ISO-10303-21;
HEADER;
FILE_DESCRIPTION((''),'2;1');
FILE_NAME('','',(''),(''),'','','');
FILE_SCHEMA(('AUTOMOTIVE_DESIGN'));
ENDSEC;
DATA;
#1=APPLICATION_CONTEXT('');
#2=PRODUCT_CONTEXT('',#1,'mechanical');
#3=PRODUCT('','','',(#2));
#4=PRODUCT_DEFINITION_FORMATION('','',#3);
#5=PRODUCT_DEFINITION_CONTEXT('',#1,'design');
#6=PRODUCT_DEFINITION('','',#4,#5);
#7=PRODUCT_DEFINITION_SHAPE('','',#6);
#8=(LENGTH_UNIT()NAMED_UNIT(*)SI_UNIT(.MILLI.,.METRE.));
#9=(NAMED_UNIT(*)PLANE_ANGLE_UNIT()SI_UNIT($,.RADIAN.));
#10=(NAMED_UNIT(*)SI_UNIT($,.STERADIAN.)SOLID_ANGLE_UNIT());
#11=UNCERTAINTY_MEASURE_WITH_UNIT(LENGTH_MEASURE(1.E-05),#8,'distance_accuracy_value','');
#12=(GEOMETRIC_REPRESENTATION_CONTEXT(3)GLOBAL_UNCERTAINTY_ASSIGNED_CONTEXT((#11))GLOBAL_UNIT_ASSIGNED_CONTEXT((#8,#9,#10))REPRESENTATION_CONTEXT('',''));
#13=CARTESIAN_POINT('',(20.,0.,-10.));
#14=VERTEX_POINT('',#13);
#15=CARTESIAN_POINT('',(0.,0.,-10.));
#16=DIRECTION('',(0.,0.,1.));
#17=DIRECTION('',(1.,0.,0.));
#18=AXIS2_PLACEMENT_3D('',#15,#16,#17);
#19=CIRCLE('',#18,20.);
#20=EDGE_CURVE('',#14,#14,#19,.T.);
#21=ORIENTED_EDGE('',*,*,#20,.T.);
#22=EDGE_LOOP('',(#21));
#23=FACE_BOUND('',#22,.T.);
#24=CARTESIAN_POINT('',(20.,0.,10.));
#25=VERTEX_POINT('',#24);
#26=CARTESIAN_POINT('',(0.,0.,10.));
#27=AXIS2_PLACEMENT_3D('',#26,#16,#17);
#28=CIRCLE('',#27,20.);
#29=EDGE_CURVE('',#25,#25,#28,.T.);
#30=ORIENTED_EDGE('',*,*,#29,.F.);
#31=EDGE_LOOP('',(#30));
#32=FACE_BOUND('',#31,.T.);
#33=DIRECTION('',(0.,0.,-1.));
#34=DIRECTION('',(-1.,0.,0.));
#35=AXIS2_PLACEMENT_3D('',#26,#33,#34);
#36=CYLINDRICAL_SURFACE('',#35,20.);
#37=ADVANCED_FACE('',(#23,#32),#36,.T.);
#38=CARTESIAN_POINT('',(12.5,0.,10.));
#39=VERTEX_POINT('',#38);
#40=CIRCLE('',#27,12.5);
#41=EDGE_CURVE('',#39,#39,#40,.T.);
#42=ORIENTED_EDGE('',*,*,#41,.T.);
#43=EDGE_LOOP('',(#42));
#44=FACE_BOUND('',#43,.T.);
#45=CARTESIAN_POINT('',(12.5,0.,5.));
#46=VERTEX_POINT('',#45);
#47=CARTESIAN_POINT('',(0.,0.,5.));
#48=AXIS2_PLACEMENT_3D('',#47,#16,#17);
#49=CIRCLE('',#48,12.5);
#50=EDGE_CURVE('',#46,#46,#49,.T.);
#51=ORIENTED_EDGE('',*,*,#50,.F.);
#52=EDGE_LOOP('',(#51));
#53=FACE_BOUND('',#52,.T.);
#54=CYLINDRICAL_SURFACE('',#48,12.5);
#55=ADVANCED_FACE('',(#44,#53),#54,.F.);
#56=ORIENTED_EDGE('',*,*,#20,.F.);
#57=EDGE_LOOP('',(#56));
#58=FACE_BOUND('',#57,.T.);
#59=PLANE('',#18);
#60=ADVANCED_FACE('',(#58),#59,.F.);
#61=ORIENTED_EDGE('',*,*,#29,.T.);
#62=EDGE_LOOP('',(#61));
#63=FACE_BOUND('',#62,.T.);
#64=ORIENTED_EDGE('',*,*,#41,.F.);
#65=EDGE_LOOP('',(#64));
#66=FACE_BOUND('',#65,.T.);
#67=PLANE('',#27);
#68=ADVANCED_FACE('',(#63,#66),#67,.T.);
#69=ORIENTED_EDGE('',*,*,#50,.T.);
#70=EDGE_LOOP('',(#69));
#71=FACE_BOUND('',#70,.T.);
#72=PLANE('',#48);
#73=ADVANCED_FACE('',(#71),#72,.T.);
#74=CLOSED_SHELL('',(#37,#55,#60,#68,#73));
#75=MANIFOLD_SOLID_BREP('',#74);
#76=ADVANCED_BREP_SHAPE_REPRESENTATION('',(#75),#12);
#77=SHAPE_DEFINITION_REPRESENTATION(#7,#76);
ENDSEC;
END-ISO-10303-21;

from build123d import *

# Parameters (mm, degrees)
SKETCH1_R           = 20
BOSS_EXTRUDE1_DEPTH = 10
SKETCH2_R           = 12.5
CUT_EXTRUDE1_DEPTH  = 5


with BuildPart() as part:
    # Sketch1 → Boss-Extrude1 (new, symmetric)
    with BuildSketch(Plane.XY):
        Circle(SKETCH1_R)
    extrude(amount=BOSS_EXTRUDE1_DEPTH, both=True)

    # Sketch2 → Cut-Extrude1 (cut)
    with BuildSketch(Plane.XY.offset(10)):
        Circle(SKETCH2_R)
    extrude(amount=-CUT_EXTRUDE1_DEPTH, mode=Mode.SUBTRACT)


solid = part.part
